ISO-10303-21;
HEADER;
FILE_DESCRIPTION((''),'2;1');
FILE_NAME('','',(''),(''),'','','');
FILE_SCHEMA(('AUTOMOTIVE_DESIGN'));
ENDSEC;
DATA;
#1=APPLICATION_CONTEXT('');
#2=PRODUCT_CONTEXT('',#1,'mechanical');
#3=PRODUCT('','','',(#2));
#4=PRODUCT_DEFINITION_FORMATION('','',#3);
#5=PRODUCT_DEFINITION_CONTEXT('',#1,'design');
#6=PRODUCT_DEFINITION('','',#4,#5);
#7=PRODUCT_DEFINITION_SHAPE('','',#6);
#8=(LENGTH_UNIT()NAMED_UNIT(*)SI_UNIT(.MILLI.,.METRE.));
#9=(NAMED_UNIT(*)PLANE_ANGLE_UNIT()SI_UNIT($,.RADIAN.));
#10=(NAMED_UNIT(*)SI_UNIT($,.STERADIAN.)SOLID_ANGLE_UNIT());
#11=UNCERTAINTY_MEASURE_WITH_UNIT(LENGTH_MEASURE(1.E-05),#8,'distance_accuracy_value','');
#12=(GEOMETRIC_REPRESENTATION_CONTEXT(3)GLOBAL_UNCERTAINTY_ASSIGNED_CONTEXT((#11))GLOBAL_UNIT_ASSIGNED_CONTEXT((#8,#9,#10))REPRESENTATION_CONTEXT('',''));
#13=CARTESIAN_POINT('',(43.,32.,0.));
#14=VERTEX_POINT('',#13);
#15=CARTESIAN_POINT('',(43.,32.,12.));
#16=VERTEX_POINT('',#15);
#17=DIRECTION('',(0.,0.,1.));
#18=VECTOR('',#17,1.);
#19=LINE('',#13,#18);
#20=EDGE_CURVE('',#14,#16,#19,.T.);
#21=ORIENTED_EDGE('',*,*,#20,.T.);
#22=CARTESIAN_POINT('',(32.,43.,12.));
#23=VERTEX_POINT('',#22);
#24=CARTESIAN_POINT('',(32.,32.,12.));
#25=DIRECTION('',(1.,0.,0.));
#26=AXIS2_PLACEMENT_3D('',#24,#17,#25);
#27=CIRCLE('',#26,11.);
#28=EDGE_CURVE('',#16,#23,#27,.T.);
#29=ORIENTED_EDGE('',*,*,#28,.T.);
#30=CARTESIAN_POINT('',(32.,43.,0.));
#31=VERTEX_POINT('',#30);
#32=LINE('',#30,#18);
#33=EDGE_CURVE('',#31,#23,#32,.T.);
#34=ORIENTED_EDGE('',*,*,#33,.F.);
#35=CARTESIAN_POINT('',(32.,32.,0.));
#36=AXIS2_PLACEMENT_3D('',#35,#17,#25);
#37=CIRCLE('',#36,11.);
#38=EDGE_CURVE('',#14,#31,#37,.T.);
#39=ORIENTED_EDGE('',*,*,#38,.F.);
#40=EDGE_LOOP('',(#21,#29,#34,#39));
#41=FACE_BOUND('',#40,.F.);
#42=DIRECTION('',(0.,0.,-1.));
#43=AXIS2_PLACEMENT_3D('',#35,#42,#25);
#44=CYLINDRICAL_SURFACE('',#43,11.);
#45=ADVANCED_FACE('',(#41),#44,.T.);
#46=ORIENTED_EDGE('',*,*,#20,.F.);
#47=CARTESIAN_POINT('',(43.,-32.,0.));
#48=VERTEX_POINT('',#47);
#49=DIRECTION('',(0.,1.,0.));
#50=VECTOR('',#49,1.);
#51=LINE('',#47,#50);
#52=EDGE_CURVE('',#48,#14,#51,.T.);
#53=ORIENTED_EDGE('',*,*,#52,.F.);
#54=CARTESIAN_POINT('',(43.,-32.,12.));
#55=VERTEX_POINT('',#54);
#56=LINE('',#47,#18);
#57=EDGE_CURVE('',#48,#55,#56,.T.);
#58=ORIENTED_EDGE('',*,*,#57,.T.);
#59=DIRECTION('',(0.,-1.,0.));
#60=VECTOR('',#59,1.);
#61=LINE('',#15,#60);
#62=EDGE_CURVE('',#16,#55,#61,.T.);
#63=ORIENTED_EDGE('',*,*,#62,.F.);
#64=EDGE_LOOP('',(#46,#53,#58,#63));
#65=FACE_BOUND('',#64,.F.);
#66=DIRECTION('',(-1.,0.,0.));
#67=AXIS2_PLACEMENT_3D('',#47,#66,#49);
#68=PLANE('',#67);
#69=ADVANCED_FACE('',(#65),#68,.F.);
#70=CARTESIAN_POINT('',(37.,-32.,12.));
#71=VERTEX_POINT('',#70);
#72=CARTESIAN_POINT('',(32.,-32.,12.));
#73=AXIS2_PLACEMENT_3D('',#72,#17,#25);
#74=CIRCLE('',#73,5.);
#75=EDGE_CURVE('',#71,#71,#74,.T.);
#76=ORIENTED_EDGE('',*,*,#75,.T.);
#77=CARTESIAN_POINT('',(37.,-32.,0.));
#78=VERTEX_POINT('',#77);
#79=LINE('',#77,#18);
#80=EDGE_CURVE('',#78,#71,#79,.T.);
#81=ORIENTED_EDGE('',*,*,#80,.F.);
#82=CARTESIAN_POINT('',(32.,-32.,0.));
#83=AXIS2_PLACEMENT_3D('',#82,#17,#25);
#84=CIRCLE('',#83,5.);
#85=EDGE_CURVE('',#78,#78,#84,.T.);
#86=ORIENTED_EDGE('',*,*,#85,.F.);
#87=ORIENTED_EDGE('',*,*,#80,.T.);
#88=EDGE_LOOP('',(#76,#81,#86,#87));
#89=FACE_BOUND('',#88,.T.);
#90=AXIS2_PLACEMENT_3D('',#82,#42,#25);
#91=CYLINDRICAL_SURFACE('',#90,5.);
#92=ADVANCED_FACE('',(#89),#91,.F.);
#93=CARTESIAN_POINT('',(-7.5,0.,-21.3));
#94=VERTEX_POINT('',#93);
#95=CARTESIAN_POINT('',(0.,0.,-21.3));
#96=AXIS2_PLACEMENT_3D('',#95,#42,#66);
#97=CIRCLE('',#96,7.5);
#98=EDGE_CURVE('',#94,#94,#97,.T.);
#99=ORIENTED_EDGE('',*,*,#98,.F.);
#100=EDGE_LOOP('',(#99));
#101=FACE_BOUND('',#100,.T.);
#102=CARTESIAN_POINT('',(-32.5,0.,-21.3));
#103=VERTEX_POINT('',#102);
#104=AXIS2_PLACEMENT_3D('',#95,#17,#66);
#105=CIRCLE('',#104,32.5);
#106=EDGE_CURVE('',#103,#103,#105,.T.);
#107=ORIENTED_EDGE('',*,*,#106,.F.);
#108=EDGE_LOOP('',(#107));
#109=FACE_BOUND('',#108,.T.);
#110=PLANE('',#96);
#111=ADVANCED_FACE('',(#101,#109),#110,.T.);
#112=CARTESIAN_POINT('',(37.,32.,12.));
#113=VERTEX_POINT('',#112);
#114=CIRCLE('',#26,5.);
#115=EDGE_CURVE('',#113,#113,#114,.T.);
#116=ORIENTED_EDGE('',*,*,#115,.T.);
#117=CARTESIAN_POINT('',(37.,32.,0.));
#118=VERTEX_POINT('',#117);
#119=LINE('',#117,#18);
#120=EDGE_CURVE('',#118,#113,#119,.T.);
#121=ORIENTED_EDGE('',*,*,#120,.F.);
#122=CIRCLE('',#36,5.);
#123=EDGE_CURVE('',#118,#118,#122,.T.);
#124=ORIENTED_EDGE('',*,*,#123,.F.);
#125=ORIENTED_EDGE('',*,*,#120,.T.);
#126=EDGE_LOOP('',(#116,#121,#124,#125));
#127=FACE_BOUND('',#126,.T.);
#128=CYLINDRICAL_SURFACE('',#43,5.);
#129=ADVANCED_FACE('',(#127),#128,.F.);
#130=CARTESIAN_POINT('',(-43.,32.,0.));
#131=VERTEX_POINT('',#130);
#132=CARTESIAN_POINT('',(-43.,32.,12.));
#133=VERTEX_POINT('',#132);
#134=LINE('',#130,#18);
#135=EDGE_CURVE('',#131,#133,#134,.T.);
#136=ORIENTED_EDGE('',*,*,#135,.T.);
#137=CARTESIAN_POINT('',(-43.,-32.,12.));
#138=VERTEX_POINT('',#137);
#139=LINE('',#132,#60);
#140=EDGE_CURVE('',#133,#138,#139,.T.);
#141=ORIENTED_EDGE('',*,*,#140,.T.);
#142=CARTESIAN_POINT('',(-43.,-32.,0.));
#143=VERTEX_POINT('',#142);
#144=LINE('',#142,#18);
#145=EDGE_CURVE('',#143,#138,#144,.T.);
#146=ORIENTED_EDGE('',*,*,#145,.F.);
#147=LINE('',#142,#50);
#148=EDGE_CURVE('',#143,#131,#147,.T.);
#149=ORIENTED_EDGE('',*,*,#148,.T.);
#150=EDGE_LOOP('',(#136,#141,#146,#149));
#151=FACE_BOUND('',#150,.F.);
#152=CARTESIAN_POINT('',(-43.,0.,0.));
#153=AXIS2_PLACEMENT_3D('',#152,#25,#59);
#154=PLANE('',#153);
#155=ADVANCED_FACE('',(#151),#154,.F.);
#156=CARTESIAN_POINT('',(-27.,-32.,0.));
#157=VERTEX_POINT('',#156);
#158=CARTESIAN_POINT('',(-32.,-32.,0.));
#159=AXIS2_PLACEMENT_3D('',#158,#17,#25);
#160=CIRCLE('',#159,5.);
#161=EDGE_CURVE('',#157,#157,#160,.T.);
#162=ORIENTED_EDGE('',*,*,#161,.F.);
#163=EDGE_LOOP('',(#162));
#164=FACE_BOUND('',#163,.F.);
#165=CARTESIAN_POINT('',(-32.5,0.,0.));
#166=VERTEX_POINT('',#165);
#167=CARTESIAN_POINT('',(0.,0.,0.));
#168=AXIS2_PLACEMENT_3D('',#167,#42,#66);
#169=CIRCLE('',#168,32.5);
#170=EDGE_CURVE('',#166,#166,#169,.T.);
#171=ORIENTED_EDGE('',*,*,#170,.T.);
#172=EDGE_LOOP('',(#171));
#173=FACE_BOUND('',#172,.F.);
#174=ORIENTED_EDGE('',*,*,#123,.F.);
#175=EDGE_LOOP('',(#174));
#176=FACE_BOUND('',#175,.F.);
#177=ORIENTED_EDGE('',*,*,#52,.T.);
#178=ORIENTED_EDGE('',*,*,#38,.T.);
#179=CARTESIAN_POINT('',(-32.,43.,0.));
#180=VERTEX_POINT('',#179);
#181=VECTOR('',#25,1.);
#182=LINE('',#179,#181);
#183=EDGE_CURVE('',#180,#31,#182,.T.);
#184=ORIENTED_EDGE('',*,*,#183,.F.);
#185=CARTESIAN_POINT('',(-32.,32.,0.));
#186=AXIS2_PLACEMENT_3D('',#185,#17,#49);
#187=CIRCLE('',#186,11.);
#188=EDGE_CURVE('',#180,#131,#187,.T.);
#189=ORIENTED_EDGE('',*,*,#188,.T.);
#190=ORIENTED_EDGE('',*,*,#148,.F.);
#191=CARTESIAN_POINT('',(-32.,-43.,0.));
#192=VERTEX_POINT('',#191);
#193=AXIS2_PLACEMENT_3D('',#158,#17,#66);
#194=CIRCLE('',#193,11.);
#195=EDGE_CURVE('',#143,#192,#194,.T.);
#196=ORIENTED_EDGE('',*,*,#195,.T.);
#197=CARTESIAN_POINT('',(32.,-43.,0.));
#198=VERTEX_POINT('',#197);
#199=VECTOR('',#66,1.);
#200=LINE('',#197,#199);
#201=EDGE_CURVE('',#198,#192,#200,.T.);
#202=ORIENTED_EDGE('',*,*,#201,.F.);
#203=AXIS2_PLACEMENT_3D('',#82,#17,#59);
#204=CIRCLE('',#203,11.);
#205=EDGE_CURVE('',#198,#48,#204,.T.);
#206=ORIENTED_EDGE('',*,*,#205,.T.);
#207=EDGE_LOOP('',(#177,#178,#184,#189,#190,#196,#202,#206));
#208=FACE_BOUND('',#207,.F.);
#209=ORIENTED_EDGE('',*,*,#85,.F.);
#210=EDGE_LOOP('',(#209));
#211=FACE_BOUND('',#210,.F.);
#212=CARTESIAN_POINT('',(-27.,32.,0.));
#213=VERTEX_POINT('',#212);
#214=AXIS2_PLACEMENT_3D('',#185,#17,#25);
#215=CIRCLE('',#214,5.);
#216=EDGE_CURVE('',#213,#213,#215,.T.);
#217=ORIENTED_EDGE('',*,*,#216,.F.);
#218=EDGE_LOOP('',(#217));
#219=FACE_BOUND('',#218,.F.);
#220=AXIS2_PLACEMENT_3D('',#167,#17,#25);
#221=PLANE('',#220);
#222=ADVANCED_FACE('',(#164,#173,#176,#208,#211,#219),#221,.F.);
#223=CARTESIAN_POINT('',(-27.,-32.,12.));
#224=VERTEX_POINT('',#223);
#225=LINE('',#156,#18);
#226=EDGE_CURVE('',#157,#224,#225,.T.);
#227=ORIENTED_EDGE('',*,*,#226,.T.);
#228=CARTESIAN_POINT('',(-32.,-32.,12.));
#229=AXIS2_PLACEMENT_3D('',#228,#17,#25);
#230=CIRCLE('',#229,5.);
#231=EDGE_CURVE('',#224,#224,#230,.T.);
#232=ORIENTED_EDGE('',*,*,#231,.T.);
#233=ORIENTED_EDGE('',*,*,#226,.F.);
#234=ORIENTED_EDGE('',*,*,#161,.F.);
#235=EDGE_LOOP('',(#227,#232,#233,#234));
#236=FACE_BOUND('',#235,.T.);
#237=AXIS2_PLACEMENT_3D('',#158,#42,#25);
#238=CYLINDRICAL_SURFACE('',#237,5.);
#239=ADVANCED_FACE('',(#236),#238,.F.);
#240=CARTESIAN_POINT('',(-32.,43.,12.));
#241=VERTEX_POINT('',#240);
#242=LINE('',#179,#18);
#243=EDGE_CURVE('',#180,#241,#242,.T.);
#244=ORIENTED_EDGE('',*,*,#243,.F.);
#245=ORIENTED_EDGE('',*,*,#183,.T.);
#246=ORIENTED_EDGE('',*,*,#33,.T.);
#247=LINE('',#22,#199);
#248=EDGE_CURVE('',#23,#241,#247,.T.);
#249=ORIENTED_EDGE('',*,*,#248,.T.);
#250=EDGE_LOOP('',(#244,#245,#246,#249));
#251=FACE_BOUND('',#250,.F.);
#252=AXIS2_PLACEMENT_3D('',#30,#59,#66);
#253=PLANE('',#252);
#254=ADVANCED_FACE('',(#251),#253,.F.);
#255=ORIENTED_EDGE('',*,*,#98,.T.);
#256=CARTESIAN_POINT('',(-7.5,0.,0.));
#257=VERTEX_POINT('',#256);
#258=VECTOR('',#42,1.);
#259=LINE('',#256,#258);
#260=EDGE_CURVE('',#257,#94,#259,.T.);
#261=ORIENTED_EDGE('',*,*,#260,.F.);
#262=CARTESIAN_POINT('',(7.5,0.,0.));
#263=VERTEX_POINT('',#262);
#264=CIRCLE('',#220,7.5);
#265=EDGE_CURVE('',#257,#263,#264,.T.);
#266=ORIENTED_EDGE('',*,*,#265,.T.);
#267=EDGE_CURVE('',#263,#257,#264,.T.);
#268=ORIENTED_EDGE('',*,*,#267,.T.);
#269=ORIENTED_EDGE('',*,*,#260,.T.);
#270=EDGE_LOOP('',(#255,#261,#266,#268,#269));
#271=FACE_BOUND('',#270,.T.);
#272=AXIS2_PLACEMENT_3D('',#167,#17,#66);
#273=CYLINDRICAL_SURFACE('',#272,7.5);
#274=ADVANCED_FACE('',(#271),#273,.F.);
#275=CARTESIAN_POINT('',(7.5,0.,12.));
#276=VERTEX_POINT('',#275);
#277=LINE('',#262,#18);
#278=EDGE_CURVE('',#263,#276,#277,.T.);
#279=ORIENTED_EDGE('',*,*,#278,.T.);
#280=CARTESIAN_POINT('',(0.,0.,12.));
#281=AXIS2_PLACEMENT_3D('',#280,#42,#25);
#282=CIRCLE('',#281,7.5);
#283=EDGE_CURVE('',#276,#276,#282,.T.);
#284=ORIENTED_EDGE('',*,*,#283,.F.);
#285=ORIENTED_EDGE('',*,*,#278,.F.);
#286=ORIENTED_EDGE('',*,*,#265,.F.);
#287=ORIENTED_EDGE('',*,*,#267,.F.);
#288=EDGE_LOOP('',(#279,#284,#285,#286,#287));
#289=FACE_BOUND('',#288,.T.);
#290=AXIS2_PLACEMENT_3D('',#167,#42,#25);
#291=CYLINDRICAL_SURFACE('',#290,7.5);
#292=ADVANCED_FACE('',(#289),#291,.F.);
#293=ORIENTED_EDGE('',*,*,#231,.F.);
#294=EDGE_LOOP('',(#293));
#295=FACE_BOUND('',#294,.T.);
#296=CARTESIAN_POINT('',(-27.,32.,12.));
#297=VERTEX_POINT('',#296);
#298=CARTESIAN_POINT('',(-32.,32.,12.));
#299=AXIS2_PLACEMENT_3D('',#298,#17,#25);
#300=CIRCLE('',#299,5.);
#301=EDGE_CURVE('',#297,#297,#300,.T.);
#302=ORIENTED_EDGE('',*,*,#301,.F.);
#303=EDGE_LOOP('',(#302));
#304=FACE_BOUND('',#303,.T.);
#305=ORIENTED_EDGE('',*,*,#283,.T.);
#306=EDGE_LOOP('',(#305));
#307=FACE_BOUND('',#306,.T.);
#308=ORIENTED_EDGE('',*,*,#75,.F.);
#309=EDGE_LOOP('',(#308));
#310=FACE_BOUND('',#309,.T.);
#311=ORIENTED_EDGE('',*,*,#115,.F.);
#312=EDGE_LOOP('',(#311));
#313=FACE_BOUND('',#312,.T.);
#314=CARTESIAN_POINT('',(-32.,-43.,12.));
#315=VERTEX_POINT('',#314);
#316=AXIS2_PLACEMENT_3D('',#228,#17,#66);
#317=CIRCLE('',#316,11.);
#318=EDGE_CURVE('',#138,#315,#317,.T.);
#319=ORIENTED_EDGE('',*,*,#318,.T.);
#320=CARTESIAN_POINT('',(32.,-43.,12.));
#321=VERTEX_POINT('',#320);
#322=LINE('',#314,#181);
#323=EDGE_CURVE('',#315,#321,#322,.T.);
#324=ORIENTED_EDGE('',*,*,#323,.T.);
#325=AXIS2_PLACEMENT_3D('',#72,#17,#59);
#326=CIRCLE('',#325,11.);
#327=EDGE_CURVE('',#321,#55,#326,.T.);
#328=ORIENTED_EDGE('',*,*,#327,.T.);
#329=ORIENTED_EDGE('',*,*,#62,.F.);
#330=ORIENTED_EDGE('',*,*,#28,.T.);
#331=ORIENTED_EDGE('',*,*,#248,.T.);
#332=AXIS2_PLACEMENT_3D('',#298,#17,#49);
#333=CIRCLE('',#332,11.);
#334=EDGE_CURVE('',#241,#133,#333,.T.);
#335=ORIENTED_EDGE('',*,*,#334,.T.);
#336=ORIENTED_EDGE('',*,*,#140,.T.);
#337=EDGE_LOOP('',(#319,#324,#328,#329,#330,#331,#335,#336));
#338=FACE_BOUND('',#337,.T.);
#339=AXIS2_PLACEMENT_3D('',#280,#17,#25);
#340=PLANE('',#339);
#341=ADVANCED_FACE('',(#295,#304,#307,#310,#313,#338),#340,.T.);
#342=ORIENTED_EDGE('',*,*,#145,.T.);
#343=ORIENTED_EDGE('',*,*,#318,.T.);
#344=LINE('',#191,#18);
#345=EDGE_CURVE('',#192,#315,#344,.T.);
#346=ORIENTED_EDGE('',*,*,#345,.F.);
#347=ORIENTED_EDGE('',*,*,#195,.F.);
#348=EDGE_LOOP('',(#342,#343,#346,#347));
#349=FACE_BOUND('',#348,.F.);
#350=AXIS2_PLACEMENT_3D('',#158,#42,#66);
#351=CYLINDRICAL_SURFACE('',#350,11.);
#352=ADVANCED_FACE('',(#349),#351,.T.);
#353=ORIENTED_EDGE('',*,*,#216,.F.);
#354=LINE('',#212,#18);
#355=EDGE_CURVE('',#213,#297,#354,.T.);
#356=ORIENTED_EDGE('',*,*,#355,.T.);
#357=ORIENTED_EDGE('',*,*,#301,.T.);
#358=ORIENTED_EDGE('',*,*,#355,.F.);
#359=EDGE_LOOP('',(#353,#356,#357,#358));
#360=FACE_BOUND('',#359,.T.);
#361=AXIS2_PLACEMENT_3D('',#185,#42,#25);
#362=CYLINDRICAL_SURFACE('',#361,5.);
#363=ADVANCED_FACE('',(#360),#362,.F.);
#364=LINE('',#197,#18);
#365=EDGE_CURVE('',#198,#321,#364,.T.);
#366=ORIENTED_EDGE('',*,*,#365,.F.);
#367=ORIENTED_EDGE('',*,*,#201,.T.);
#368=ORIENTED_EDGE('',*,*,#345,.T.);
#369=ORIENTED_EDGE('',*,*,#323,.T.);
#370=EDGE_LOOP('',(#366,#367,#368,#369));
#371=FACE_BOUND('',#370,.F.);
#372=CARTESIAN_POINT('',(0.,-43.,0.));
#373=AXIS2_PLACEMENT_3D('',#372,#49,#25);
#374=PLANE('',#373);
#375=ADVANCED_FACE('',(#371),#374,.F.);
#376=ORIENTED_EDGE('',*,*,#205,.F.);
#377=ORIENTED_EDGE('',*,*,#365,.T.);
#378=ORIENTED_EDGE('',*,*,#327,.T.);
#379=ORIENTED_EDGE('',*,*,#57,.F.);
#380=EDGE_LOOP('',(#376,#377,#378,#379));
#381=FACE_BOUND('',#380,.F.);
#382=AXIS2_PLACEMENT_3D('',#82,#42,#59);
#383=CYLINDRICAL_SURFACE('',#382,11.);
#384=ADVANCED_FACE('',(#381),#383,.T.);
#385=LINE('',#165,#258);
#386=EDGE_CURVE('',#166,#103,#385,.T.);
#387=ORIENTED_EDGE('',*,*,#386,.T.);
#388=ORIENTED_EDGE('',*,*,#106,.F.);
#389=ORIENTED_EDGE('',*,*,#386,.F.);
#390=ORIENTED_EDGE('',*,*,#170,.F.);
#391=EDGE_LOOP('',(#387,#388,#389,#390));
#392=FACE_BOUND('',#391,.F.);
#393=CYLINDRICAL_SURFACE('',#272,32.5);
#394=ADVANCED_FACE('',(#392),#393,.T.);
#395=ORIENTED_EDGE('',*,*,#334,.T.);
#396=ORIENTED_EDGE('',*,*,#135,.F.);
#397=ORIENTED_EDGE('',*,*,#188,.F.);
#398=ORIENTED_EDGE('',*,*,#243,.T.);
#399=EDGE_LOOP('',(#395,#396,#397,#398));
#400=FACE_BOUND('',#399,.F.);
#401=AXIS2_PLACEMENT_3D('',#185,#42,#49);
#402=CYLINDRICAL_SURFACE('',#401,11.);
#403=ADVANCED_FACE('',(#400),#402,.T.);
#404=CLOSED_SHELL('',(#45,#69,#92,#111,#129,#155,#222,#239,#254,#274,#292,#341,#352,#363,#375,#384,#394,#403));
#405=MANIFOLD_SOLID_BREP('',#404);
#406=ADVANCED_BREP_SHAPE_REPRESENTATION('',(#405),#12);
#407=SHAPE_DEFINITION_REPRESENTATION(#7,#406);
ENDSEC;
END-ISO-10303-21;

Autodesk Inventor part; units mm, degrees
ref_plane "YZ Plane" through (0, 0, 0) normal (1, 0, 0) x (0, 1, 0)
ref_plane "XZ Plane" through (0, 0, 0) normal (0, 1, 0) x (-1, 0, 0)
ref_plane "XY Plane" through (0, 0, 0) normal (0, 0, 1) x (1, 0, 0)
sketch "Эскиз1" plane through (0, 0, 0) normal (0, 0, 1) x (1, 0, 0)
  circle A0 centre (0, 0) radius 7.5
  line L0 (46.4621, 0) -> (-49.3756, 0)
  circle A1 centre (32, -32) radius 5
  line L1 (0, 64.1704) -> (0, -88.8862)
  circle A2 centre (32, 32) radius 5
  circle A3 centre (-32, -32) radius 5
  circle A4 centre (-32, 32) radius 5
  arc A5 (-43, -32) -> (-32, -43) centre (-32, -32) ccw
  arc A6 (-32, 43) -> (-43, 32) centre (-32, 32) ccw
  arc A7 (32, -43) -> (43, -32) centre (32, -32) ccw
  arc A8 (43, 32) -> (32, 43) centre (32, 32) ccw
  line L2 (43, -32) -> (43, 32)
  line L3 (32, 43) -> (-32, 43)
  line L4 (-43, 32) -> (-43, -32)
  line L5 (-32, -43) -> (32, -43)
  dimension "d0" = 15
  dimension "d11" = 10
  dimension "d12" = 64
  dimension "d13" = 64
  dimension "d14" = 22
extrude "Выдавливание1" add sketch "Эскиз1" along normal blind 12 contours L0 L2 A7 L5 L1 A0 | A0 L1 L3 A8 L2 L0 | A0 L0 L4 A6 L3 L1 | L1 L5 A5 L4 L0 A0
sketch "Эскиз2" plane through (0, 0, 0) normal (0, 0, -1) x (-1, 0, 0)
  circle A0 centre (0, 0) radius 7.5 projected
  line L0 (10.171, 50.3667) -> (28.7441, 15.1667) projected
  circle A1 centre (0, 0) radius 32.5
extrude "Выдавливание2" add sketch "Эскиз2" along normal blind 21.3
properties part number "bearing_unit_15mm" material "Чугун, серый"
